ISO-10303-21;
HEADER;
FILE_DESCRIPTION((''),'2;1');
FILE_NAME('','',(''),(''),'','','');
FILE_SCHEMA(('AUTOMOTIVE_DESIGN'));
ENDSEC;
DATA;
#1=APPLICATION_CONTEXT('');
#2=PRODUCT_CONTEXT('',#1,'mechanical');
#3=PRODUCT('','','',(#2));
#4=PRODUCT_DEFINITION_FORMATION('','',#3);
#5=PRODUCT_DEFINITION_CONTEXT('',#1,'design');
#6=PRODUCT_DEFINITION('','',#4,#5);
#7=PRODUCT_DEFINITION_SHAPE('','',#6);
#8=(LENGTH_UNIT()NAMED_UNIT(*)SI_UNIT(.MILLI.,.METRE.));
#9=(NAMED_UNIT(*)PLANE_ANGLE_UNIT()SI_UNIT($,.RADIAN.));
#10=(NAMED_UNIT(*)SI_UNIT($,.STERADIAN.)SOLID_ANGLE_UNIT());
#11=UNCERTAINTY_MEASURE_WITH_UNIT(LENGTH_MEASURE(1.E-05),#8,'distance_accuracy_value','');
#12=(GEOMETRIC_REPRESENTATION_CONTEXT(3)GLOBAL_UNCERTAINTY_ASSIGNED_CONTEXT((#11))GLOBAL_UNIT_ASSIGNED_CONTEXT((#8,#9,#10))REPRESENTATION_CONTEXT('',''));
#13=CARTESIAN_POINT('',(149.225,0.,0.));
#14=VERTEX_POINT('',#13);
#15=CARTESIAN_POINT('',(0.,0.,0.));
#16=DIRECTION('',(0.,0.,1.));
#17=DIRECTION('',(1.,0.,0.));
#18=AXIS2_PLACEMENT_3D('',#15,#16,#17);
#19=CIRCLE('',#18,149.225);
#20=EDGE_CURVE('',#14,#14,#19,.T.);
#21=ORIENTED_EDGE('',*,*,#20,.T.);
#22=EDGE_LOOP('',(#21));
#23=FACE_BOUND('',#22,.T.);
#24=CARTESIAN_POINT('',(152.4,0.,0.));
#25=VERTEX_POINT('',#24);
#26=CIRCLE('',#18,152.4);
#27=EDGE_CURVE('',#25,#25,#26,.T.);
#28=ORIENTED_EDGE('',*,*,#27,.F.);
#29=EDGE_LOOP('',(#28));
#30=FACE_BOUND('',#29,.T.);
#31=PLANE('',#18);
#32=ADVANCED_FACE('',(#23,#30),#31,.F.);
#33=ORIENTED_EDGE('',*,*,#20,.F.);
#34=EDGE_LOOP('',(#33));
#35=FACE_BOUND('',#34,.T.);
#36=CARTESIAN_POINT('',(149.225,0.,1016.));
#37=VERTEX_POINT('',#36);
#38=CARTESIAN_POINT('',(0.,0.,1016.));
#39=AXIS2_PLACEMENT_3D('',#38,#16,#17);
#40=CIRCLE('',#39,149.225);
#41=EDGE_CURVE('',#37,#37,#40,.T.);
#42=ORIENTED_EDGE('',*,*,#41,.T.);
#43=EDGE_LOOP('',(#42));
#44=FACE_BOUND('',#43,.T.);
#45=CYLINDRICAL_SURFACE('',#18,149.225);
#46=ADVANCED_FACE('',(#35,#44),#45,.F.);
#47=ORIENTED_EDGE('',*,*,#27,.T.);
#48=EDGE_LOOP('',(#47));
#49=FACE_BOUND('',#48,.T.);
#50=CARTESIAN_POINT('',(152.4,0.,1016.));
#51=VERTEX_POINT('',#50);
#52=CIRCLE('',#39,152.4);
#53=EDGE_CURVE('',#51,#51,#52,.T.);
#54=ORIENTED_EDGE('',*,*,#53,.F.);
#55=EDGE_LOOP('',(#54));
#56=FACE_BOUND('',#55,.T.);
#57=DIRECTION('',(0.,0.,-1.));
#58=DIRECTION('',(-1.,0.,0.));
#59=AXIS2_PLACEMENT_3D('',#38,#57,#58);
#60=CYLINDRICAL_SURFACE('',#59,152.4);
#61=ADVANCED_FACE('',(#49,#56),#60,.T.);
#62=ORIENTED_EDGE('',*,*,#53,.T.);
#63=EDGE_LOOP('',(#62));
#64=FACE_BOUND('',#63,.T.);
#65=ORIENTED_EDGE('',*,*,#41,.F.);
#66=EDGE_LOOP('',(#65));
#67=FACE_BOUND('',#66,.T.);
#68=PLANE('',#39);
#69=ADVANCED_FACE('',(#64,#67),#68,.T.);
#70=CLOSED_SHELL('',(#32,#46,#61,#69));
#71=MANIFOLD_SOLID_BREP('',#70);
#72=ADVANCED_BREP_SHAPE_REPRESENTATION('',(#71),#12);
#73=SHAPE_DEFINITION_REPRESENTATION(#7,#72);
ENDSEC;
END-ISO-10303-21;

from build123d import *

# Parameters (mm, degrees)
SKETCH1_R           = 152.4
BOSS_EXTRUDE1_DEPTH = 1016
SKETCH2_R           = 149.225
CUT_EXTRUDE1_DEPTH  = 1016


with BuildPart() as part:
    # Sketch1 → Boss-Extrude1 (new body)
    with BuildSketch(Plane.XY):
        Circle(SKETCH1_R)
    extrude(amount=BOSS_EXTRUDE1_DEPTH)

    # Sketch2 → Cut-Extrude1 (cut)
    with BuildSketch(Plane.XY.offset(1016)):
        Circle(SKETCH2_R)
    extrude(amount=-CUT_EXTRUDE1_DEPTH, mode=Mode.SUBTRACT)


solid = part.part
